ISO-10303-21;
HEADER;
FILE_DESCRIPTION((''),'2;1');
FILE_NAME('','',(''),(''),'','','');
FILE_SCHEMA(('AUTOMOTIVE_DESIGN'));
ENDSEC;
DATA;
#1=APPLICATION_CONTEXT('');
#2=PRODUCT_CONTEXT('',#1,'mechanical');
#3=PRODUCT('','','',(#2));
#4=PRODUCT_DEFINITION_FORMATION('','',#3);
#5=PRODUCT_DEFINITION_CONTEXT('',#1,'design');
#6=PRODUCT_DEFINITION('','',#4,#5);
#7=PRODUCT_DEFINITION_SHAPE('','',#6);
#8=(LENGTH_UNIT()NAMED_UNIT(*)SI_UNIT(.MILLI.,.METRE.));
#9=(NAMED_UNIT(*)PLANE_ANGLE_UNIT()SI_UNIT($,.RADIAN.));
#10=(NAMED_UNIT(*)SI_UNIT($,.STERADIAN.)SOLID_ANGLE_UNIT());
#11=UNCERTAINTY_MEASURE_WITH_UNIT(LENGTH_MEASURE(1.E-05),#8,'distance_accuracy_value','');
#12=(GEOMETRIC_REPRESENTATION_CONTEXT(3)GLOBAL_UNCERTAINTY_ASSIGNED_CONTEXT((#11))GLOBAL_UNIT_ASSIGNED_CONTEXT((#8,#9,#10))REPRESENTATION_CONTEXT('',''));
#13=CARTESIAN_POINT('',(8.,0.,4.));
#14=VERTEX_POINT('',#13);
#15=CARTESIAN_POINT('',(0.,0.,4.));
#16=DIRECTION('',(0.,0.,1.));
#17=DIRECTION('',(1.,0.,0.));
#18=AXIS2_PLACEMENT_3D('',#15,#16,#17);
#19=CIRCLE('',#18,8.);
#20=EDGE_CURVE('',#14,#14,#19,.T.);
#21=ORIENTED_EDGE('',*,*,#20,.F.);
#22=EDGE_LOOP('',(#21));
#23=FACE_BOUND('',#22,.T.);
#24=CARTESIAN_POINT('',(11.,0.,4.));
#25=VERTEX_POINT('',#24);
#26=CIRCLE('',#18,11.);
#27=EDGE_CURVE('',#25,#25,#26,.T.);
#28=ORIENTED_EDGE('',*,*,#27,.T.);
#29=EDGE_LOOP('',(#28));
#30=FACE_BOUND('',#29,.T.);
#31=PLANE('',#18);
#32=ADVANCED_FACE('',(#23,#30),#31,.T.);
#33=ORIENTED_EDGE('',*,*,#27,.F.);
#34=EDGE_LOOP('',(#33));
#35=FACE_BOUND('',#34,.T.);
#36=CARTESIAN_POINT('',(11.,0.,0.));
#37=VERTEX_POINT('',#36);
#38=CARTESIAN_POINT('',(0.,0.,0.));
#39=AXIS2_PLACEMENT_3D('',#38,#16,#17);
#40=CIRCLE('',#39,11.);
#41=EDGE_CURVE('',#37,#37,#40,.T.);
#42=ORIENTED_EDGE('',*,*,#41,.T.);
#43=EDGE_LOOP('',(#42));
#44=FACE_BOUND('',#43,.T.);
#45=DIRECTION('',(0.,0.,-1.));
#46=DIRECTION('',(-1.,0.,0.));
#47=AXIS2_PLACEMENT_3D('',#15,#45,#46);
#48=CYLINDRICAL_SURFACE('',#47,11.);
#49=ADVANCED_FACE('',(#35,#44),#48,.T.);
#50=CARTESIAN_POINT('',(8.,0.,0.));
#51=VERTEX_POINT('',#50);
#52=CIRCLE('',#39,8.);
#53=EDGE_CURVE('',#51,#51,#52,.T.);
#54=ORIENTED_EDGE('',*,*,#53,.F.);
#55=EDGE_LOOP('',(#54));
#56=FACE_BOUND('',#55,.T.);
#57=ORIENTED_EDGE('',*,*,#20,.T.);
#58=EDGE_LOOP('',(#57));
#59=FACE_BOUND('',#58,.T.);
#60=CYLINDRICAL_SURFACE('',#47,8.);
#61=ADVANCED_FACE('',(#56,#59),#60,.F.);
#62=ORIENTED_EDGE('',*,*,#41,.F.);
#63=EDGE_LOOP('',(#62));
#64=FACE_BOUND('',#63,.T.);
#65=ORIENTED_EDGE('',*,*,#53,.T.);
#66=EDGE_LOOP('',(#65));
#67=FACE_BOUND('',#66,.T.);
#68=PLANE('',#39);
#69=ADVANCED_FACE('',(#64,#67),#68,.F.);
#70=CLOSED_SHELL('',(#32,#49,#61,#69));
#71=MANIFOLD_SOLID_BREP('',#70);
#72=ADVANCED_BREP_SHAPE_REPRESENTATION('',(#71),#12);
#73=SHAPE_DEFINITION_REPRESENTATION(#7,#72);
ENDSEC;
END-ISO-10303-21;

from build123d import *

# Parameters (mm, degrees)
SKETCH_1_R      = 11
SKETCH_1_R_2    = 8
EXTRUDE_1_DEPTH = 4


with BuildPart() as part:
    # 草图1 → 凸台-拉伸1 (new body)
    with BuildSketch(Plane.XY):
        Circle(SKETCH_1_R)
        Circle(SKETCH_1_R_2, mode=Mode.SUBTRACT)
    extrude(amount=EXTRUDE_1_DEPTH)


solid = part.part
